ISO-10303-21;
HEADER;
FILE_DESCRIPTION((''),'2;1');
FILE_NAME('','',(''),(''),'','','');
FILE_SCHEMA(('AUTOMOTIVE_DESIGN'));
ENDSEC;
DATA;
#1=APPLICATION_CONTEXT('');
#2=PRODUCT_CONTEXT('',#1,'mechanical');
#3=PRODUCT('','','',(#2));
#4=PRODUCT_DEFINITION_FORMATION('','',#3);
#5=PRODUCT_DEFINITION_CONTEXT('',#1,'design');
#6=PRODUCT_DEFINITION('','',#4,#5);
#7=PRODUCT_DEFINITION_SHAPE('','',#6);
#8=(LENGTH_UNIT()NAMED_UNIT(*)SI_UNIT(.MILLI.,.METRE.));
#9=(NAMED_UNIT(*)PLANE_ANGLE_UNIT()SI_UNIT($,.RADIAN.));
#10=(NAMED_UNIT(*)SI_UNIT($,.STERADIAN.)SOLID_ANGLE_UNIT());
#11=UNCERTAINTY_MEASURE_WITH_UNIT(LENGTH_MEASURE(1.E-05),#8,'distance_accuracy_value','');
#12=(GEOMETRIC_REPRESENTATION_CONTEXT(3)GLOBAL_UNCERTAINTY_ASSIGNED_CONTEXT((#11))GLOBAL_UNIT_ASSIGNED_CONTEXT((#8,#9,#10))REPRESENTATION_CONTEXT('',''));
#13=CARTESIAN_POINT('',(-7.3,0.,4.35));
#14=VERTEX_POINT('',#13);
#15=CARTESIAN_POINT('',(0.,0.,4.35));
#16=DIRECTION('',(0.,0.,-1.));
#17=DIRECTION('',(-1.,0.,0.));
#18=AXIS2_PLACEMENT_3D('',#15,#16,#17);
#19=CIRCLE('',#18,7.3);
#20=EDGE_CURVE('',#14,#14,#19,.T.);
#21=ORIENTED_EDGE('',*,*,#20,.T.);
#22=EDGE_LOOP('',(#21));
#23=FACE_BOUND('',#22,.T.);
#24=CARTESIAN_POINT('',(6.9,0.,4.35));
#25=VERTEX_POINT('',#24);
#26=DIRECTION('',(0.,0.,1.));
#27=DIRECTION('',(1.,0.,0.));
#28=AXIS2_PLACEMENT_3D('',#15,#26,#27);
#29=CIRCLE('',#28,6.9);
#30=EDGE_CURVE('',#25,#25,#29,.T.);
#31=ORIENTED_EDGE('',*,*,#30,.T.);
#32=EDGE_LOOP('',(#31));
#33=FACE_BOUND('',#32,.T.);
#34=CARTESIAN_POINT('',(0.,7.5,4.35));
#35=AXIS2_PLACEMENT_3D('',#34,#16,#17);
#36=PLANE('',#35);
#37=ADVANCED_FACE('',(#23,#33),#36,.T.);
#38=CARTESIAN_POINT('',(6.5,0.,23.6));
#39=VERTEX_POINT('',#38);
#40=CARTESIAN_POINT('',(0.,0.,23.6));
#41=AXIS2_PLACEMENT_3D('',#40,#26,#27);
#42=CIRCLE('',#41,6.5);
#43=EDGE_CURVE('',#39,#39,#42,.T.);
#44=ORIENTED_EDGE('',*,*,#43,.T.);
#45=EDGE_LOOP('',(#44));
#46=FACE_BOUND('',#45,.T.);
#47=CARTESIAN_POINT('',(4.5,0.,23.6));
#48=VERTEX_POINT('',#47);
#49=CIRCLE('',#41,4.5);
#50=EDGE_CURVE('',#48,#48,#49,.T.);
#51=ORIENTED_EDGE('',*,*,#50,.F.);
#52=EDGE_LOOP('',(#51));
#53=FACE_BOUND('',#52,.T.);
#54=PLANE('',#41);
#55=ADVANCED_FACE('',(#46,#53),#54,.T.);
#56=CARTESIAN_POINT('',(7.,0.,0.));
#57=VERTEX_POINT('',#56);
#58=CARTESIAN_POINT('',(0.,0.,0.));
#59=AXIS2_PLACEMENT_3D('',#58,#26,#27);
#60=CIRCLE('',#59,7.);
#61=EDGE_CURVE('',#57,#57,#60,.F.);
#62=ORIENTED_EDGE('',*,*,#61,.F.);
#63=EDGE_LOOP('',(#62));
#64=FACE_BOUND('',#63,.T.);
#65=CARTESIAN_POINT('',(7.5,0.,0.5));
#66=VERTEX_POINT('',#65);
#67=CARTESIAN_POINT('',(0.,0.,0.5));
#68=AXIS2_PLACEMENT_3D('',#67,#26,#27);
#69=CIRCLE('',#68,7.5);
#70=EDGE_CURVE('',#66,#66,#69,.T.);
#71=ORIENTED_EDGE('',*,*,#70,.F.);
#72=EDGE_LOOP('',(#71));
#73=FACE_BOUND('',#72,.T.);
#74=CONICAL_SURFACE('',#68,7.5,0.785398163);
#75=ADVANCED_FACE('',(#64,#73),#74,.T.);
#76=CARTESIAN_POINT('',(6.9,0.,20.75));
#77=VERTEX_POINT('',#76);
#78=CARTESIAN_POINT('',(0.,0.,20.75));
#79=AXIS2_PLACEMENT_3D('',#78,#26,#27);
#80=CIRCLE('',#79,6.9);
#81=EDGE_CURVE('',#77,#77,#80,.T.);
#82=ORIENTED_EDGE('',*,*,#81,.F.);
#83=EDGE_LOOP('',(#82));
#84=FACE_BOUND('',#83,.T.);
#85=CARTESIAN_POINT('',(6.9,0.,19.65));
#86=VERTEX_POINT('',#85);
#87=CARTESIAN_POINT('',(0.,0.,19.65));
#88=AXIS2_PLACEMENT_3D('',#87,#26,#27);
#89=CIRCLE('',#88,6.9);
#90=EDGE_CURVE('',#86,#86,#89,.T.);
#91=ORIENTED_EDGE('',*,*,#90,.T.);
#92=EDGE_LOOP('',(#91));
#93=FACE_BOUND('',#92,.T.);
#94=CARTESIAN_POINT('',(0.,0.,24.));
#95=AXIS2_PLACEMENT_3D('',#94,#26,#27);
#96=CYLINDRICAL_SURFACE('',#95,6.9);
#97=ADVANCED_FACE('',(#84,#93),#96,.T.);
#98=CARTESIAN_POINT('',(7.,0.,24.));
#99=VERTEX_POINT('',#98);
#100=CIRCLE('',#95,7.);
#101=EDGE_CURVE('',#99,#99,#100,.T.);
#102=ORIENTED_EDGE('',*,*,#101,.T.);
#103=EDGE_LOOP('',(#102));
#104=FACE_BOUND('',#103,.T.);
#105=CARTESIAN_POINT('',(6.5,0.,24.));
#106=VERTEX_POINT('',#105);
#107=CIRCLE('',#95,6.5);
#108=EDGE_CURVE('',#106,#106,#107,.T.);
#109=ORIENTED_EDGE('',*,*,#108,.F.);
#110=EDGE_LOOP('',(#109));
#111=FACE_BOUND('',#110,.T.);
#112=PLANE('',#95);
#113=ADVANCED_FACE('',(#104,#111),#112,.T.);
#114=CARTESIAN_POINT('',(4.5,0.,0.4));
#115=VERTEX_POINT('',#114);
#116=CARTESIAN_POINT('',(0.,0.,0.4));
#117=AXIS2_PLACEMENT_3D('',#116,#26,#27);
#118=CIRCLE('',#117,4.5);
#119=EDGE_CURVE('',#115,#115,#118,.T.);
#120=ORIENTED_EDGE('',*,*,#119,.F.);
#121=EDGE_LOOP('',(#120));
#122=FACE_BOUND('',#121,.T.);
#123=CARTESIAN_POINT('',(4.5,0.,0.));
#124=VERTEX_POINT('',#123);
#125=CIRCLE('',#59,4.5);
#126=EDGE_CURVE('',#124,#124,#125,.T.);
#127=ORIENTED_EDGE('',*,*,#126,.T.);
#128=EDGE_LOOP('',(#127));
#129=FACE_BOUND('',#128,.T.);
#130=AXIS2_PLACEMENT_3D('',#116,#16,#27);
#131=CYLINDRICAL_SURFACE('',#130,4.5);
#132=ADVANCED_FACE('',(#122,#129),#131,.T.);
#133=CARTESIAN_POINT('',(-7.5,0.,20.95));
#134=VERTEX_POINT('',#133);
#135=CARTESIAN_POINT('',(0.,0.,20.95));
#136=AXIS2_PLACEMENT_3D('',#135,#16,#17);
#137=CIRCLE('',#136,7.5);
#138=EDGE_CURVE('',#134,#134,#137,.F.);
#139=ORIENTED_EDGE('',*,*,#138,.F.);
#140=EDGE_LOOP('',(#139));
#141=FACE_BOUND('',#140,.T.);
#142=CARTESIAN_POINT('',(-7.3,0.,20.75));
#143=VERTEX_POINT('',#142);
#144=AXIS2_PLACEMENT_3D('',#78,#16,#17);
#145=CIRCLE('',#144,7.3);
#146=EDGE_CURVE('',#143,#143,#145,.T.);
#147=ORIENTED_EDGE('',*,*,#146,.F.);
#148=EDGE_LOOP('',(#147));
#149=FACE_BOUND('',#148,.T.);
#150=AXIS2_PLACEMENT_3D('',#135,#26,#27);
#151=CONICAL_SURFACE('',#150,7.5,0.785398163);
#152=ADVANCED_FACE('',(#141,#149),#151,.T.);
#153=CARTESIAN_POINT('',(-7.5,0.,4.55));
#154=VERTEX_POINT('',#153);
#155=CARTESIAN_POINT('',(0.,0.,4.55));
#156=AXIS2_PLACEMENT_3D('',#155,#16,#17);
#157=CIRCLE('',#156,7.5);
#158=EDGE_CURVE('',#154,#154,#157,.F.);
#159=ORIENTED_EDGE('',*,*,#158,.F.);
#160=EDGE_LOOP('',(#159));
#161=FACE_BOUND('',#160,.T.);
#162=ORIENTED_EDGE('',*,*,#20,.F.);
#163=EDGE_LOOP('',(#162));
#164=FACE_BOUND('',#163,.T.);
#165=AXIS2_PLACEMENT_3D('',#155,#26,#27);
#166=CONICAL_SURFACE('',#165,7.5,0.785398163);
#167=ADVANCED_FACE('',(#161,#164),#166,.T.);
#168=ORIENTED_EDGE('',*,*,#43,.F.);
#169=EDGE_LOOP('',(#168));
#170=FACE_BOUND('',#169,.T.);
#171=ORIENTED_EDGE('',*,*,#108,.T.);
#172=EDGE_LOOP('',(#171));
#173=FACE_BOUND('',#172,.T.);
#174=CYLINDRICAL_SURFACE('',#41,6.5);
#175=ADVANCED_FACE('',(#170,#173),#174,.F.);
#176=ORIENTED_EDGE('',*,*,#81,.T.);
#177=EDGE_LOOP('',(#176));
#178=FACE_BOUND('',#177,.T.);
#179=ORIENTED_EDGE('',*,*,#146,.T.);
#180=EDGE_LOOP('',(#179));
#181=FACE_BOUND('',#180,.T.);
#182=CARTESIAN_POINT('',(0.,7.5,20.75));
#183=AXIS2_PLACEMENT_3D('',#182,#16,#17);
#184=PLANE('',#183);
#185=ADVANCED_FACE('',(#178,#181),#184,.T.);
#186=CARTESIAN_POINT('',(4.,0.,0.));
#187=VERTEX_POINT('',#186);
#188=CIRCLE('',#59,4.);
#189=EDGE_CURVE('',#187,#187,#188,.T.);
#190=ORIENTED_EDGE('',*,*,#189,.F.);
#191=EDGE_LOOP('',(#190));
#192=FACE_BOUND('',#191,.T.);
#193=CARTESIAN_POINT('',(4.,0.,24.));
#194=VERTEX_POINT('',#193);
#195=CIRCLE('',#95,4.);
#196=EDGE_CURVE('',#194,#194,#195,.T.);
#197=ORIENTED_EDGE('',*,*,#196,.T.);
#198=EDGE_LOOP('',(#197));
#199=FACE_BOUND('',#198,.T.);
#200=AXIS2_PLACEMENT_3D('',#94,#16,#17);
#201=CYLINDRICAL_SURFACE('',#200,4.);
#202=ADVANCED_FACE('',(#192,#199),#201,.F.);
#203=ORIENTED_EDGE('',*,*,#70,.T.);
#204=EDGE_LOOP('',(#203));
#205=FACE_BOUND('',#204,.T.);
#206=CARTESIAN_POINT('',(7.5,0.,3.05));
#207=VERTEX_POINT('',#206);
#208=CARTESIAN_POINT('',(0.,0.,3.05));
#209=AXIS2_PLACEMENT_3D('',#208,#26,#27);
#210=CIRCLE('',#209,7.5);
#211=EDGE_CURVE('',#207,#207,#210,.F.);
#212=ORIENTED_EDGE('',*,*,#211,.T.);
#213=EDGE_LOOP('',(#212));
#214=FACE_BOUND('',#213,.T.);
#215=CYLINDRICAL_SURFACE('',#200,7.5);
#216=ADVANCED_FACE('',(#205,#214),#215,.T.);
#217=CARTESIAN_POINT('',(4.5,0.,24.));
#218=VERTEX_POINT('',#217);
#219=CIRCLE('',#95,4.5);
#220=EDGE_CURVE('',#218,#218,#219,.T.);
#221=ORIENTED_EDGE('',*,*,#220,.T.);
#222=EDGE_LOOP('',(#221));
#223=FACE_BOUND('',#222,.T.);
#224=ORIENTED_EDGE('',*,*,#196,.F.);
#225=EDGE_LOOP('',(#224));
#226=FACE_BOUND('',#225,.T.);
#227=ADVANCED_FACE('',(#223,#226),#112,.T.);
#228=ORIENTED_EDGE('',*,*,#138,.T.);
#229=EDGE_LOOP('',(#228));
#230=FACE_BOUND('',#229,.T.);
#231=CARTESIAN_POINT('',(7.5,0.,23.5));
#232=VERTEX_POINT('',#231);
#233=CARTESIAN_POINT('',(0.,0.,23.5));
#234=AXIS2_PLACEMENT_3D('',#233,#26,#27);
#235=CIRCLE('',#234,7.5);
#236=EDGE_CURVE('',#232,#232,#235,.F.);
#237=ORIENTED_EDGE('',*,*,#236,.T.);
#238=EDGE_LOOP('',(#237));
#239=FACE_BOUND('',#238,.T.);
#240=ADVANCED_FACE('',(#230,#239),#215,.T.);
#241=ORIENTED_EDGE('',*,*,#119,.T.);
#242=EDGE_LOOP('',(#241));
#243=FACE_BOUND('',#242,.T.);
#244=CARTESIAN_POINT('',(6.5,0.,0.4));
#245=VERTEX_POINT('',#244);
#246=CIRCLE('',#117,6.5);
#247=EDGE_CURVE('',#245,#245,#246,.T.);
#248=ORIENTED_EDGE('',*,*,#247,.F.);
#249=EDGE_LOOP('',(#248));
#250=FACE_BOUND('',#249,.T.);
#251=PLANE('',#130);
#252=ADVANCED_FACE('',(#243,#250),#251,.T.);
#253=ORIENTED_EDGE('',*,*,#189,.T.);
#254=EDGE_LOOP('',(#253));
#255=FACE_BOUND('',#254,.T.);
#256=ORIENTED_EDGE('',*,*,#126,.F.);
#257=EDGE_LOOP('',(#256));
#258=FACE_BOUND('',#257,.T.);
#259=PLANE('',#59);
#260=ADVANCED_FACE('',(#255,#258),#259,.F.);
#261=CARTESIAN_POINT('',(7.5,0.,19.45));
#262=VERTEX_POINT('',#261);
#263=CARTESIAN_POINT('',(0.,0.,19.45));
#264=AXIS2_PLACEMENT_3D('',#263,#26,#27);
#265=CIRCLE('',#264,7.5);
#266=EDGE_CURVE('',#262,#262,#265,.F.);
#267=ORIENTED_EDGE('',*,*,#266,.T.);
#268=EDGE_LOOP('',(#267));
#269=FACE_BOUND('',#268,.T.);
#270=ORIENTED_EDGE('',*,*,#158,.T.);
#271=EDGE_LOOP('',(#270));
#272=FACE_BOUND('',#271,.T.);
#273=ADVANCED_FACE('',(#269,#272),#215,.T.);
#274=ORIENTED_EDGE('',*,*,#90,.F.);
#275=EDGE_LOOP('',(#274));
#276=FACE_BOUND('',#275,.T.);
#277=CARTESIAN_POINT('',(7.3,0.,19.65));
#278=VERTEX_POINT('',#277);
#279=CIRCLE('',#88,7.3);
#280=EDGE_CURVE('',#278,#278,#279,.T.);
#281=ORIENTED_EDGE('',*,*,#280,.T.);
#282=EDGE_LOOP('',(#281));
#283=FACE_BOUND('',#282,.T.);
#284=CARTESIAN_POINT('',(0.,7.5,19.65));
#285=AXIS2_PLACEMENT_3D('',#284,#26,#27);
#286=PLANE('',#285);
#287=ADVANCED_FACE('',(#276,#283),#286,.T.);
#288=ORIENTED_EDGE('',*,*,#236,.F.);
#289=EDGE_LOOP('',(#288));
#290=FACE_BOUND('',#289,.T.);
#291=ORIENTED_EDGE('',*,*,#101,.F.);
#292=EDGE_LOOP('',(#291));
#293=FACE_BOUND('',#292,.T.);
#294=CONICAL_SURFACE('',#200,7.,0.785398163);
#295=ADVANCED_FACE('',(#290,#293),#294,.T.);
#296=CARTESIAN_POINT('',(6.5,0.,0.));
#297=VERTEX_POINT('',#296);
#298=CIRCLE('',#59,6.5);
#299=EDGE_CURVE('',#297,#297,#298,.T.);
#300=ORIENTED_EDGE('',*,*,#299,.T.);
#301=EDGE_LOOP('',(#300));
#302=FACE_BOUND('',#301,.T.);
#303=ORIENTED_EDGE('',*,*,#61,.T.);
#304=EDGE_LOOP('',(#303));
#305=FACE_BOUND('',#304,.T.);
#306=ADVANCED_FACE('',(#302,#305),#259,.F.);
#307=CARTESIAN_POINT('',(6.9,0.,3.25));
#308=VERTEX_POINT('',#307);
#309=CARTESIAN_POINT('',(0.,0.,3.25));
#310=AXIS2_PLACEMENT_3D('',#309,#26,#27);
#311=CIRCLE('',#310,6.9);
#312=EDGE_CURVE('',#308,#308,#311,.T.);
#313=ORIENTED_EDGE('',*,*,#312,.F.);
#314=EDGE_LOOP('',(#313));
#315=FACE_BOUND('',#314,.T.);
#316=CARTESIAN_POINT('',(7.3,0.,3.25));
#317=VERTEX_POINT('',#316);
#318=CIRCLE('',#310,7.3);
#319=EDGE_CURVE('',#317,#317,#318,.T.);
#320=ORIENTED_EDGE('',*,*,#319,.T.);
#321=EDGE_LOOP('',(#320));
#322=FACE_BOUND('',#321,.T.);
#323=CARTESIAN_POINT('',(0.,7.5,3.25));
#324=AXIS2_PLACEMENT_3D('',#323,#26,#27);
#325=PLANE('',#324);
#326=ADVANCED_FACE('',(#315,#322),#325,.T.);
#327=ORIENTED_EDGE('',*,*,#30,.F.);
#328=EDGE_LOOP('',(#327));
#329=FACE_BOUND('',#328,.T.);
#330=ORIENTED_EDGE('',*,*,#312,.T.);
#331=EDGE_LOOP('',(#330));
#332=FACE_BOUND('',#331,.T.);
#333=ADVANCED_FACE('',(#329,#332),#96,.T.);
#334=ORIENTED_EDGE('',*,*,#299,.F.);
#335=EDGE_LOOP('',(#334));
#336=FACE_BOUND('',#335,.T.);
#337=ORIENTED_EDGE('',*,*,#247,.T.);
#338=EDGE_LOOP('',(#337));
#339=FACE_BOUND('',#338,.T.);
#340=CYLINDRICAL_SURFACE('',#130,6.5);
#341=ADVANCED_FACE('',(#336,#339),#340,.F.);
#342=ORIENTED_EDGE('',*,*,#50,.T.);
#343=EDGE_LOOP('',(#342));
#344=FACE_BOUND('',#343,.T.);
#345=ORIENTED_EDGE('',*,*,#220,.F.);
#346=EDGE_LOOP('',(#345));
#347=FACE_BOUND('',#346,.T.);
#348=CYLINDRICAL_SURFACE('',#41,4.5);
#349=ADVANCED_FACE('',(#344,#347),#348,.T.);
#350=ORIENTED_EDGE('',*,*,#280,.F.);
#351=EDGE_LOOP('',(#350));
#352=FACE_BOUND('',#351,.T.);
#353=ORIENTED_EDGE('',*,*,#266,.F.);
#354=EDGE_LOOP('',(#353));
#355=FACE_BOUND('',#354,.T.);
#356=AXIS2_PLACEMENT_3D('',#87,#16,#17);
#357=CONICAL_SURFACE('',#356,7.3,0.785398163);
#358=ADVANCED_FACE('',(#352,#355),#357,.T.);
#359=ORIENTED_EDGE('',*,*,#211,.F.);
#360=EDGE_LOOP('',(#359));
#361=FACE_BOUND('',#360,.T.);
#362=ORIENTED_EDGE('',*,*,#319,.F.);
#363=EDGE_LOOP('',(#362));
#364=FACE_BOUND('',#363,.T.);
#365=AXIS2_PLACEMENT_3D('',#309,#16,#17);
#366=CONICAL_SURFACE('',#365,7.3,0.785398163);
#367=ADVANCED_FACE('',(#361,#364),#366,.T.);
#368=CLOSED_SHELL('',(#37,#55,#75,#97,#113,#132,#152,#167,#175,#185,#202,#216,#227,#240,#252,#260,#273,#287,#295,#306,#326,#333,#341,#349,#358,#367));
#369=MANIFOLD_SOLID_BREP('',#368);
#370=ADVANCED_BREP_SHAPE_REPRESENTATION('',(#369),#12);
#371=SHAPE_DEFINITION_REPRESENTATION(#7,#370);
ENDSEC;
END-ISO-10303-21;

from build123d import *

# Parameters (mm, degrees)
SKETCH1_R           = 7.5
SKETCH1_R_2         = 4
BOSS_EXTRUDE1_DEPTH = 24
SKETCH2_R           = 6.5
SKETCH2_R_2         = 4.5
CUT_EXTRUDE1_DEPTH  = 0.4
SKETCH3_W           = 1.1
SKETCH3_H           = 0.6
CHAMFER1_SIZE       = 0.5
CHAMFER2_SIZE       = 0.2


with BuildPart() as part:
    # Sketch1 → Boss-Extrude1 (new body)
    with BuildSketch(Plane.XY):
        Circle(SKETCH1_R)
        Circle(SKETCH1_R_2, mode=Mode.SUBTRACT)
    extrude(amount=BOSS_EXTRUDE1_DEPTH)

    # Sketch2 → Cut-Extrude1 (cut)
    with BuildSketch(Plane.XY.offset(24)):
        Circle(SKETCH2_R)
        Circle(SKETCH2_R_2, mode=Mode.SUBTRACT)
    cut_extrude1 = extrude(amount=-CUT_EXTRUDE1_DEPTH, mode=Mode.SUBTRACT)

    # Mirror1: Cut-Extrude1 across plane
    add(cut_extrude1.mirror(Plane.XY.offset(12)), mode=Mode.SUBTRACT)

    # Sketch3 → Cut-Revolve1 (revolve, cut)
    with BuildSketch(Plane(origin=(0, 0, 0), x_dir=(0, 0, -1), z_dir=(1, 0, 0)), mode=Mode.PRIVATE) as cut_revolve1_sk:
        with Locations((-20.2, 7.2)):
            Rectangle(SKETCH3_W, SKETCH3_H)
        with Locations((-3.8, 7.2)):
            Rectangle(SKETCH3_W, SKETCH3_H)
    revolve(cut_revolve1_sk.sketch.rotate(Axis((0, 0, 24), (0, 0, -1)), 90), axis=Axis((0, 0, 24), (0, 0, -1)), mode=Mode.SUBTRACT)

    # Chamfer1
    chamfer1_edges = [part.edges().sort_by_distance(p)[0] for p in [
        (-7.5, 0, 0),
        (-7.5, 0, 24),
    ]]
    chamfer(chamfer1_edges, length=CHAMFER1_SIZE)

    # Chamfer2
    chamfer2_edges = [part.edges().sort_by_distance(p)[0] for p in [
        (-7.5, 0, 20.75),
        (-7.5, 0, 19.65),
        (-7.5, 0, 4.35),
        (-7.5, 0, 3.25),
    ]]
    chamfer(chamfer2_edges, length=CHAMFER2_SIZE)


solid = part.part
